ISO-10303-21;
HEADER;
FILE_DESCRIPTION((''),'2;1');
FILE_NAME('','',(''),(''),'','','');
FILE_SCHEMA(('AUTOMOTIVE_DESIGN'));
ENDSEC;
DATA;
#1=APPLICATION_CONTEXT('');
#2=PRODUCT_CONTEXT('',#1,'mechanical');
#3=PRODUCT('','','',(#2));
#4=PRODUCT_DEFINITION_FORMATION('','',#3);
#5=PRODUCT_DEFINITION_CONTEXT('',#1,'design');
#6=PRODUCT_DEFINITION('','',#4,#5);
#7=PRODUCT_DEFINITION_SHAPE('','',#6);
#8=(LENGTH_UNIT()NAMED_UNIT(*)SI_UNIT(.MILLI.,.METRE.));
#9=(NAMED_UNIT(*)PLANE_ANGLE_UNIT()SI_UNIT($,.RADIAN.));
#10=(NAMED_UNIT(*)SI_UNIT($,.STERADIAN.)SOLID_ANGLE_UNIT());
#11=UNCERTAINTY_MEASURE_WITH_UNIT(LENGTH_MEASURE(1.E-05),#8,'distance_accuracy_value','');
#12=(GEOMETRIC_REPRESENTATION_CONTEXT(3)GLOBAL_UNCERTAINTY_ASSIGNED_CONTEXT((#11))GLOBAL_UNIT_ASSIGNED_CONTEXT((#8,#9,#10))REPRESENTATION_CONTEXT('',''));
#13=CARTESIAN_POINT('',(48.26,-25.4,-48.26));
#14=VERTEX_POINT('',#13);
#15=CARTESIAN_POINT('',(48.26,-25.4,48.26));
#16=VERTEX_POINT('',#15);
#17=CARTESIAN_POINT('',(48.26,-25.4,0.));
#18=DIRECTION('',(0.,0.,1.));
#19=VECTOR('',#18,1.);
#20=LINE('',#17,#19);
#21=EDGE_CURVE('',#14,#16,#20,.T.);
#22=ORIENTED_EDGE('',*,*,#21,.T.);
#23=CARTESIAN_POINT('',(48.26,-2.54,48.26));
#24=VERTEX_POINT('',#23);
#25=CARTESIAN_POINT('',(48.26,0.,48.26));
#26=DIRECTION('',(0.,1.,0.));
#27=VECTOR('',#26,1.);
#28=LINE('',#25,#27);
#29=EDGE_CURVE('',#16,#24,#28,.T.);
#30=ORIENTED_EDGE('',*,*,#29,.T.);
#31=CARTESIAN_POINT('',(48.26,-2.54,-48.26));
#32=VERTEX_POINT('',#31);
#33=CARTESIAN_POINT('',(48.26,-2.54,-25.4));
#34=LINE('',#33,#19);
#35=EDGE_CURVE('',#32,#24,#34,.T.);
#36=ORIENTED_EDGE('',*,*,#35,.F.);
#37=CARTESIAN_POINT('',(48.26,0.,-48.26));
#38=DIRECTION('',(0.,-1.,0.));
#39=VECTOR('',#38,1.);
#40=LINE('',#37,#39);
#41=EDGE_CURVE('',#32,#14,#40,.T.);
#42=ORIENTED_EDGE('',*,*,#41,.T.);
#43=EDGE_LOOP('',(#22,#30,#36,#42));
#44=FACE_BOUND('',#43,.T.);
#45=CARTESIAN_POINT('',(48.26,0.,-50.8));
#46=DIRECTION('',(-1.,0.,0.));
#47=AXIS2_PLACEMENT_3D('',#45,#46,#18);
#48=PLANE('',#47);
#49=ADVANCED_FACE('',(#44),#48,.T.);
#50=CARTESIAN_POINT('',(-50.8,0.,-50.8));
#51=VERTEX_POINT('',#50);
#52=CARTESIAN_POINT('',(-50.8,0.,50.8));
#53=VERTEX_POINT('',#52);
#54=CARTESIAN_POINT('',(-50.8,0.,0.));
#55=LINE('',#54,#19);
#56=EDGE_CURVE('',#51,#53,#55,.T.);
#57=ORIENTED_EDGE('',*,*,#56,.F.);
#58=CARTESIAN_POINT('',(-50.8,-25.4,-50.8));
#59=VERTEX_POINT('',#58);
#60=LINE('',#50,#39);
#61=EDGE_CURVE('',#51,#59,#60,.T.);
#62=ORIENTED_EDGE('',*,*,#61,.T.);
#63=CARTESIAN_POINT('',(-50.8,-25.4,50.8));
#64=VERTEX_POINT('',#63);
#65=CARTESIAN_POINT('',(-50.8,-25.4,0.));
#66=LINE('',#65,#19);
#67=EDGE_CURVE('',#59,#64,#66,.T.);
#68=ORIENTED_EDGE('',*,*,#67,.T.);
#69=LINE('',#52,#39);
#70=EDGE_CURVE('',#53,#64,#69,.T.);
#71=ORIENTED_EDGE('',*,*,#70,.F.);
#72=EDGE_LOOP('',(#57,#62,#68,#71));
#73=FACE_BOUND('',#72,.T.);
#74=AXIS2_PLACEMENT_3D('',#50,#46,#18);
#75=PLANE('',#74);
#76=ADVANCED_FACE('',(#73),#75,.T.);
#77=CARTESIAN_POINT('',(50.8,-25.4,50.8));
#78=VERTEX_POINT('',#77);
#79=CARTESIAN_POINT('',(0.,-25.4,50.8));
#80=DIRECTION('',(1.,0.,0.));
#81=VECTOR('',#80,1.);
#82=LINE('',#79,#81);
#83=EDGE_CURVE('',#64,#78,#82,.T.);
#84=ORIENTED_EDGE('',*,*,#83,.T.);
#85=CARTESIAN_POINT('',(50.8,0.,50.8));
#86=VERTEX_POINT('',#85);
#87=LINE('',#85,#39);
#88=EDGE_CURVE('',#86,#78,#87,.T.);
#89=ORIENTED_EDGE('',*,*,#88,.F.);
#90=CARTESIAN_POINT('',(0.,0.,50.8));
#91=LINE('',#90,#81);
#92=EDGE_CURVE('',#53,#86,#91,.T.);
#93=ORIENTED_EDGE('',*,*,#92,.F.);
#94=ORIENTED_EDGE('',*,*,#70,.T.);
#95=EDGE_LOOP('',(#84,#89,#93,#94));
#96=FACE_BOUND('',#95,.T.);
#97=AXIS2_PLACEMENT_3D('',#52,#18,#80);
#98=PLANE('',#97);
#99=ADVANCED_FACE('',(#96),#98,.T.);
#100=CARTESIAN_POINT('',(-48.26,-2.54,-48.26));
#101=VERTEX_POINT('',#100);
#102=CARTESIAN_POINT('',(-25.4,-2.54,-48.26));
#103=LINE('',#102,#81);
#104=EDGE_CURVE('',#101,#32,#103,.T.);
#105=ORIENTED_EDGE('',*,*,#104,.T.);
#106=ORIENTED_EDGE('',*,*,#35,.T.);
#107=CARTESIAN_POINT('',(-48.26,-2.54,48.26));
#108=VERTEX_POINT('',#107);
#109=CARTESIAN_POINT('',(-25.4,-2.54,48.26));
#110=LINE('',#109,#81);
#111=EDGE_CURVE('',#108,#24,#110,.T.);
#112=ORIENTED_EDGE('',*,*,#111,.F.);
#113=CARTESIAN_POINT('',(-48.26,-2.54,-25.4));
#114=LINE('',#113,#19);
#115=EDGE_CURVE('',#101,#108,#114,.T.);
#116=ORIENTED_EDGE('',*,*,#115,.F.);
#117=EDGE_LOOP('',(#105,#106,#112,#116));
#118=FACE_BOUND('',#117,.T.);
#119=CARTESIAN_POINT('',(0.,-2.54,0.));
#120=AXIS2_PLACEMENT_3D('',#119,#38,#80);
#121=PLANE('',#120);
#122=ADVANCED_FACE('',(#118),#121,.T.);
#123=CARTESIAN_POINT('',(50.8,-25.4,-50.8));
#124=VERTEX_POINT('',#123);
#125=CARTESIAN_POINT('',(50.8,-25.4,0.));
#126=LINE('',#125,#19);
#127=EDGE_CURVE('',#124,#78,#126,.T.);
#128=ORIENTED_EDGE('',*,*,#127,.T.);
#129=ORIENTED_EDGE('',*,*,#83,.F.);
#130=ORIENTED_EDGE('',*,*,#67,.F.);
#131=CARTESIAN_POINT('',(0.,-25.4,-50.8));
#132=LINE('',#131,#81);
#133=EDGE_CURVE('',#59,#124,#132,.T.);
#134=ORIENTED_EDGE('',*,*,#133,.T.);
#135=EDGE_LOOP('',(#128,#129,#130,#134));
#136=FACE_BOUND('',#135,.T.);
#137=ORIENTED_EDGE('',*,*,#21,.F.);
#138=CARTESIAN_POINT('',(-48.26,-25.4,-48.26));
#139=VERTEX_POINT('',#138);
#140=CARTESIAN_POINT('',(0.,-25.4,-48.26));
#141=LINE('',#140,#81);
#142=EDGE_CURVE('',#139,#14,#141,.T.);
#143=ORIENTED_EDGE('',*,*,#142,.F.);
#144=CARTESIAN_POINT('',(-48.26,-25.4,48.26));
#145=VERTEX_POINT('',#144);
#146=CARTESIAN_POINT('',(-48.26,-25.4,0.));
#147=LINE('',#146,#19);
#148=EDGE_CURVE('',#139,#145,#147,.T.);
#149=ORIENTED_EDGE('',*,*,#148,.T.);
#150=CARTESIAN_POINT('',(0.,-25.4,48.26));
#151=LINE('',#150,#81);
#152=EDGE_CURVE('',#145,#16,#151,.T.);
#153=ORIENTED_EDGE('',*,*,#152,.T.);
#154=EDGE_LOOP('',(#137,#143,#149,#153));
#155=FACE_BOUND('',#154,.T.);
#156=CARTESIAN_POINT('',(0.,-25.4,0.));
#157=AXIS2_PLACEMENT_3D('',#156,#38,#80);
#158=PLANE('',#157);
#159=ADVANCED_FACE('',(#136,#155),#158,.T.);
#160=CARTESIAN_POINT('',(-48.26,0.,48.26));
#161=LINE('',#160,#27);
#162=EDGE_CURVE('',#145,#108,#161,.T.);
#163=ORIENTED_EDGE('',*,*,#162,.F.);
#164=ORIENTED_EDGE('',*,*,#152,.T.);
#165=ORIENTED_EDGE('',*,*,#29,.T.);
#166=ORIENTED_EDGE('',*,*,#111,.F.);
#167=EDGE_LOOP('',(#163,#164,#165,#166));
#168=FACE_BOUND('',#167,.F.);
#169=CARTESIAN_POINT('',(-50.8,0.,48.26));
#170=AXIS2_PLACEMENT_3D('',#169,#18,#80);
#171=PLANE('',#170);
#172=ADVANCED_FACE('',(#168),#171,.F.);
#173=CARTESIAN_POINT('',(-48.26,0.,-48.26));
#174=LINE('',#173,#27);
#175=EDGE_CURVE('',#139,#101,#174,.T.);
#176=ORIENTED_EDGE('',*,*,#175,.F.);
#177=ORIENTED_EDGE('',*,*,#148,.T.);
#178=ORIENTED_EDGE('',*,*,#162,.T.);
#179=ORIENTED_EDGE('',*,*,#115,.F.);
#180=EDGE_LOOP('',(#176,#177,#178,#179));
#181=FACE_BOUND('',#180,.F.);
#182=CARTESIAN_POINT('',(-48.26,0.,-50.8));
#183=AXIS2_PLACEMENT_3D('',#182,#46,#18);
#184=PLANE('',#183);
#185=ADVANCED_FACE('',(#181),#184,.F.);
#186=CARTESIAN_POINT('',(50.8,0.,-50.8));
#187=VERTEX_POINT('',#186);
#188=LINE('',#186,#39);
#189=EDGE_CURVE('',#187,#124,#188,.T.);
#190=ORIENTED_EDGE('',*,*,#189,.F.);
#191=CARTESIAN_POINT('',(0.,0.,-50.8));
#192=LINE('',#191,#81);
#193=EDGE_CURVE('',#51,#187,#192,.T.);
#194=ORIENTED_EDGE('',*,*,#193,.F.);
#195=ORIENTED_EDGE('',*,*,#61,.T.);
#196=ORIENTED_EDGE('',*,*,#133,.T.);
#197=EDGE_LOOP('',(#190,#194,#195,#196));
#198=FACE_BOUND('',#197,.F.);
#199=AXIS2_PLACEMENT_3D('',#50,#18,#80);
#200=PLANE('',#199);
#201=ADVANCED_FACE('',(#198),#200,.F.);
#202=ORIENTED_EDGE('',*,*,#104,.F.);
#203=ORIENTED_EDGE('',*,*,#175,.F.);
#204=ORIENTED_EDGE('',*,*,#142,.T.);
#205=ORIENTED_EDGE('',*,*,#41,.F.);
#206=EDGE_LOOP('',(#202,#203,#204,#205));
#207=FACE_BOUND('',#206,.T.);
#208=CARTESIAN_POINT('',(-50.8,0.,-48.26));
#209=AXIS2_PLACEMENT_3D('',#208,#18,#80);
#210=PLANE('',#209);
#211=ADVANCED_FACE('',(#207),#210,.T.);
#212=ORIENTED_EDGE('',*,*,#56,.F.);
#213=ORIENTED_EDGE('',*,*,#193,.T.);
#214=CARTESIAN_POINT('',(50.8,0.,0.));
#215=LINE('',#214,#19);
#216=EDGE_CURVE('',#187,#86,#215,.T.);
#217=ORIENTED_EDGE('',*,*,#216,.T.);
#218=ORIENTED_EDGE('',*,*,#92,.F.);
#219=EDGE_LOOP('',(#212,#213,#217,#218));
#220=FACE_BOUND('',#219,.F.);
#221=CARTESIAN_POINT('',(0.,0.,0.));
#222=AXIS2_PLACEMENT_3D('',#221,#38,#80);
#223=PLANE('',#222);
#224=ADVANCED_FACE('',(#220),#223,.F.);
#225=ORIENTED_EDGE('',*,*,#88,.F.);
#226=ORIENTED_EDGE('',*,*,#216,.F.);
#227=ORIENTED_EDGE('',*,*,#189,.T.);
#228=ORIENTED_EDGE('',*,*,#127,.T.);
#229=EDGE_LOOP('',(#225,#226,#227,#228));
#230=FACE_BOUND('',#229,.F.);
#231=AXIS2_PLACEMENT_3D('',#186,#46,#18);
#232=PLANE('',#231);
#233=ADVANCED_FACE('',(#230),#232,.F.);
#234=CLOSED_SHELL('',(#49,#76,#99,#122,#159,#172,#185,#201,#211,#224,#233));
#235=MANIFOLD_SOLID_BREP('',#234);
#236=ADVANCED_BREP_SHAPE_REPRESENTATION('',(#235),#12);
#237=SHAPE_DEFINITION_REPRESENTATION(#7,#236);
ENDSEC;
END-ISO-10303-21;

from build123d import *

# Parameters (mm, degrees)
F0_W     = 101.6
F0_H     = 101.6
F1_DEPTH = 25.4
F3_T     = -2.54


with BuildPart() as f1:
    # F0 (on Front) → F1 (new body)
    with BuildSketch(Plane.XZ):
        Rectangle(F0_W, F0_H)
    extrude(amount=F1_DEPTH)

    # F3
    f3_openings = [f1.faces().sort_by_distance(p)[0] for p in [
        (0, -25.4, 0),
    ]]
    offset(amount=F3_T, openings=f3_openings)


solid = f1.part
